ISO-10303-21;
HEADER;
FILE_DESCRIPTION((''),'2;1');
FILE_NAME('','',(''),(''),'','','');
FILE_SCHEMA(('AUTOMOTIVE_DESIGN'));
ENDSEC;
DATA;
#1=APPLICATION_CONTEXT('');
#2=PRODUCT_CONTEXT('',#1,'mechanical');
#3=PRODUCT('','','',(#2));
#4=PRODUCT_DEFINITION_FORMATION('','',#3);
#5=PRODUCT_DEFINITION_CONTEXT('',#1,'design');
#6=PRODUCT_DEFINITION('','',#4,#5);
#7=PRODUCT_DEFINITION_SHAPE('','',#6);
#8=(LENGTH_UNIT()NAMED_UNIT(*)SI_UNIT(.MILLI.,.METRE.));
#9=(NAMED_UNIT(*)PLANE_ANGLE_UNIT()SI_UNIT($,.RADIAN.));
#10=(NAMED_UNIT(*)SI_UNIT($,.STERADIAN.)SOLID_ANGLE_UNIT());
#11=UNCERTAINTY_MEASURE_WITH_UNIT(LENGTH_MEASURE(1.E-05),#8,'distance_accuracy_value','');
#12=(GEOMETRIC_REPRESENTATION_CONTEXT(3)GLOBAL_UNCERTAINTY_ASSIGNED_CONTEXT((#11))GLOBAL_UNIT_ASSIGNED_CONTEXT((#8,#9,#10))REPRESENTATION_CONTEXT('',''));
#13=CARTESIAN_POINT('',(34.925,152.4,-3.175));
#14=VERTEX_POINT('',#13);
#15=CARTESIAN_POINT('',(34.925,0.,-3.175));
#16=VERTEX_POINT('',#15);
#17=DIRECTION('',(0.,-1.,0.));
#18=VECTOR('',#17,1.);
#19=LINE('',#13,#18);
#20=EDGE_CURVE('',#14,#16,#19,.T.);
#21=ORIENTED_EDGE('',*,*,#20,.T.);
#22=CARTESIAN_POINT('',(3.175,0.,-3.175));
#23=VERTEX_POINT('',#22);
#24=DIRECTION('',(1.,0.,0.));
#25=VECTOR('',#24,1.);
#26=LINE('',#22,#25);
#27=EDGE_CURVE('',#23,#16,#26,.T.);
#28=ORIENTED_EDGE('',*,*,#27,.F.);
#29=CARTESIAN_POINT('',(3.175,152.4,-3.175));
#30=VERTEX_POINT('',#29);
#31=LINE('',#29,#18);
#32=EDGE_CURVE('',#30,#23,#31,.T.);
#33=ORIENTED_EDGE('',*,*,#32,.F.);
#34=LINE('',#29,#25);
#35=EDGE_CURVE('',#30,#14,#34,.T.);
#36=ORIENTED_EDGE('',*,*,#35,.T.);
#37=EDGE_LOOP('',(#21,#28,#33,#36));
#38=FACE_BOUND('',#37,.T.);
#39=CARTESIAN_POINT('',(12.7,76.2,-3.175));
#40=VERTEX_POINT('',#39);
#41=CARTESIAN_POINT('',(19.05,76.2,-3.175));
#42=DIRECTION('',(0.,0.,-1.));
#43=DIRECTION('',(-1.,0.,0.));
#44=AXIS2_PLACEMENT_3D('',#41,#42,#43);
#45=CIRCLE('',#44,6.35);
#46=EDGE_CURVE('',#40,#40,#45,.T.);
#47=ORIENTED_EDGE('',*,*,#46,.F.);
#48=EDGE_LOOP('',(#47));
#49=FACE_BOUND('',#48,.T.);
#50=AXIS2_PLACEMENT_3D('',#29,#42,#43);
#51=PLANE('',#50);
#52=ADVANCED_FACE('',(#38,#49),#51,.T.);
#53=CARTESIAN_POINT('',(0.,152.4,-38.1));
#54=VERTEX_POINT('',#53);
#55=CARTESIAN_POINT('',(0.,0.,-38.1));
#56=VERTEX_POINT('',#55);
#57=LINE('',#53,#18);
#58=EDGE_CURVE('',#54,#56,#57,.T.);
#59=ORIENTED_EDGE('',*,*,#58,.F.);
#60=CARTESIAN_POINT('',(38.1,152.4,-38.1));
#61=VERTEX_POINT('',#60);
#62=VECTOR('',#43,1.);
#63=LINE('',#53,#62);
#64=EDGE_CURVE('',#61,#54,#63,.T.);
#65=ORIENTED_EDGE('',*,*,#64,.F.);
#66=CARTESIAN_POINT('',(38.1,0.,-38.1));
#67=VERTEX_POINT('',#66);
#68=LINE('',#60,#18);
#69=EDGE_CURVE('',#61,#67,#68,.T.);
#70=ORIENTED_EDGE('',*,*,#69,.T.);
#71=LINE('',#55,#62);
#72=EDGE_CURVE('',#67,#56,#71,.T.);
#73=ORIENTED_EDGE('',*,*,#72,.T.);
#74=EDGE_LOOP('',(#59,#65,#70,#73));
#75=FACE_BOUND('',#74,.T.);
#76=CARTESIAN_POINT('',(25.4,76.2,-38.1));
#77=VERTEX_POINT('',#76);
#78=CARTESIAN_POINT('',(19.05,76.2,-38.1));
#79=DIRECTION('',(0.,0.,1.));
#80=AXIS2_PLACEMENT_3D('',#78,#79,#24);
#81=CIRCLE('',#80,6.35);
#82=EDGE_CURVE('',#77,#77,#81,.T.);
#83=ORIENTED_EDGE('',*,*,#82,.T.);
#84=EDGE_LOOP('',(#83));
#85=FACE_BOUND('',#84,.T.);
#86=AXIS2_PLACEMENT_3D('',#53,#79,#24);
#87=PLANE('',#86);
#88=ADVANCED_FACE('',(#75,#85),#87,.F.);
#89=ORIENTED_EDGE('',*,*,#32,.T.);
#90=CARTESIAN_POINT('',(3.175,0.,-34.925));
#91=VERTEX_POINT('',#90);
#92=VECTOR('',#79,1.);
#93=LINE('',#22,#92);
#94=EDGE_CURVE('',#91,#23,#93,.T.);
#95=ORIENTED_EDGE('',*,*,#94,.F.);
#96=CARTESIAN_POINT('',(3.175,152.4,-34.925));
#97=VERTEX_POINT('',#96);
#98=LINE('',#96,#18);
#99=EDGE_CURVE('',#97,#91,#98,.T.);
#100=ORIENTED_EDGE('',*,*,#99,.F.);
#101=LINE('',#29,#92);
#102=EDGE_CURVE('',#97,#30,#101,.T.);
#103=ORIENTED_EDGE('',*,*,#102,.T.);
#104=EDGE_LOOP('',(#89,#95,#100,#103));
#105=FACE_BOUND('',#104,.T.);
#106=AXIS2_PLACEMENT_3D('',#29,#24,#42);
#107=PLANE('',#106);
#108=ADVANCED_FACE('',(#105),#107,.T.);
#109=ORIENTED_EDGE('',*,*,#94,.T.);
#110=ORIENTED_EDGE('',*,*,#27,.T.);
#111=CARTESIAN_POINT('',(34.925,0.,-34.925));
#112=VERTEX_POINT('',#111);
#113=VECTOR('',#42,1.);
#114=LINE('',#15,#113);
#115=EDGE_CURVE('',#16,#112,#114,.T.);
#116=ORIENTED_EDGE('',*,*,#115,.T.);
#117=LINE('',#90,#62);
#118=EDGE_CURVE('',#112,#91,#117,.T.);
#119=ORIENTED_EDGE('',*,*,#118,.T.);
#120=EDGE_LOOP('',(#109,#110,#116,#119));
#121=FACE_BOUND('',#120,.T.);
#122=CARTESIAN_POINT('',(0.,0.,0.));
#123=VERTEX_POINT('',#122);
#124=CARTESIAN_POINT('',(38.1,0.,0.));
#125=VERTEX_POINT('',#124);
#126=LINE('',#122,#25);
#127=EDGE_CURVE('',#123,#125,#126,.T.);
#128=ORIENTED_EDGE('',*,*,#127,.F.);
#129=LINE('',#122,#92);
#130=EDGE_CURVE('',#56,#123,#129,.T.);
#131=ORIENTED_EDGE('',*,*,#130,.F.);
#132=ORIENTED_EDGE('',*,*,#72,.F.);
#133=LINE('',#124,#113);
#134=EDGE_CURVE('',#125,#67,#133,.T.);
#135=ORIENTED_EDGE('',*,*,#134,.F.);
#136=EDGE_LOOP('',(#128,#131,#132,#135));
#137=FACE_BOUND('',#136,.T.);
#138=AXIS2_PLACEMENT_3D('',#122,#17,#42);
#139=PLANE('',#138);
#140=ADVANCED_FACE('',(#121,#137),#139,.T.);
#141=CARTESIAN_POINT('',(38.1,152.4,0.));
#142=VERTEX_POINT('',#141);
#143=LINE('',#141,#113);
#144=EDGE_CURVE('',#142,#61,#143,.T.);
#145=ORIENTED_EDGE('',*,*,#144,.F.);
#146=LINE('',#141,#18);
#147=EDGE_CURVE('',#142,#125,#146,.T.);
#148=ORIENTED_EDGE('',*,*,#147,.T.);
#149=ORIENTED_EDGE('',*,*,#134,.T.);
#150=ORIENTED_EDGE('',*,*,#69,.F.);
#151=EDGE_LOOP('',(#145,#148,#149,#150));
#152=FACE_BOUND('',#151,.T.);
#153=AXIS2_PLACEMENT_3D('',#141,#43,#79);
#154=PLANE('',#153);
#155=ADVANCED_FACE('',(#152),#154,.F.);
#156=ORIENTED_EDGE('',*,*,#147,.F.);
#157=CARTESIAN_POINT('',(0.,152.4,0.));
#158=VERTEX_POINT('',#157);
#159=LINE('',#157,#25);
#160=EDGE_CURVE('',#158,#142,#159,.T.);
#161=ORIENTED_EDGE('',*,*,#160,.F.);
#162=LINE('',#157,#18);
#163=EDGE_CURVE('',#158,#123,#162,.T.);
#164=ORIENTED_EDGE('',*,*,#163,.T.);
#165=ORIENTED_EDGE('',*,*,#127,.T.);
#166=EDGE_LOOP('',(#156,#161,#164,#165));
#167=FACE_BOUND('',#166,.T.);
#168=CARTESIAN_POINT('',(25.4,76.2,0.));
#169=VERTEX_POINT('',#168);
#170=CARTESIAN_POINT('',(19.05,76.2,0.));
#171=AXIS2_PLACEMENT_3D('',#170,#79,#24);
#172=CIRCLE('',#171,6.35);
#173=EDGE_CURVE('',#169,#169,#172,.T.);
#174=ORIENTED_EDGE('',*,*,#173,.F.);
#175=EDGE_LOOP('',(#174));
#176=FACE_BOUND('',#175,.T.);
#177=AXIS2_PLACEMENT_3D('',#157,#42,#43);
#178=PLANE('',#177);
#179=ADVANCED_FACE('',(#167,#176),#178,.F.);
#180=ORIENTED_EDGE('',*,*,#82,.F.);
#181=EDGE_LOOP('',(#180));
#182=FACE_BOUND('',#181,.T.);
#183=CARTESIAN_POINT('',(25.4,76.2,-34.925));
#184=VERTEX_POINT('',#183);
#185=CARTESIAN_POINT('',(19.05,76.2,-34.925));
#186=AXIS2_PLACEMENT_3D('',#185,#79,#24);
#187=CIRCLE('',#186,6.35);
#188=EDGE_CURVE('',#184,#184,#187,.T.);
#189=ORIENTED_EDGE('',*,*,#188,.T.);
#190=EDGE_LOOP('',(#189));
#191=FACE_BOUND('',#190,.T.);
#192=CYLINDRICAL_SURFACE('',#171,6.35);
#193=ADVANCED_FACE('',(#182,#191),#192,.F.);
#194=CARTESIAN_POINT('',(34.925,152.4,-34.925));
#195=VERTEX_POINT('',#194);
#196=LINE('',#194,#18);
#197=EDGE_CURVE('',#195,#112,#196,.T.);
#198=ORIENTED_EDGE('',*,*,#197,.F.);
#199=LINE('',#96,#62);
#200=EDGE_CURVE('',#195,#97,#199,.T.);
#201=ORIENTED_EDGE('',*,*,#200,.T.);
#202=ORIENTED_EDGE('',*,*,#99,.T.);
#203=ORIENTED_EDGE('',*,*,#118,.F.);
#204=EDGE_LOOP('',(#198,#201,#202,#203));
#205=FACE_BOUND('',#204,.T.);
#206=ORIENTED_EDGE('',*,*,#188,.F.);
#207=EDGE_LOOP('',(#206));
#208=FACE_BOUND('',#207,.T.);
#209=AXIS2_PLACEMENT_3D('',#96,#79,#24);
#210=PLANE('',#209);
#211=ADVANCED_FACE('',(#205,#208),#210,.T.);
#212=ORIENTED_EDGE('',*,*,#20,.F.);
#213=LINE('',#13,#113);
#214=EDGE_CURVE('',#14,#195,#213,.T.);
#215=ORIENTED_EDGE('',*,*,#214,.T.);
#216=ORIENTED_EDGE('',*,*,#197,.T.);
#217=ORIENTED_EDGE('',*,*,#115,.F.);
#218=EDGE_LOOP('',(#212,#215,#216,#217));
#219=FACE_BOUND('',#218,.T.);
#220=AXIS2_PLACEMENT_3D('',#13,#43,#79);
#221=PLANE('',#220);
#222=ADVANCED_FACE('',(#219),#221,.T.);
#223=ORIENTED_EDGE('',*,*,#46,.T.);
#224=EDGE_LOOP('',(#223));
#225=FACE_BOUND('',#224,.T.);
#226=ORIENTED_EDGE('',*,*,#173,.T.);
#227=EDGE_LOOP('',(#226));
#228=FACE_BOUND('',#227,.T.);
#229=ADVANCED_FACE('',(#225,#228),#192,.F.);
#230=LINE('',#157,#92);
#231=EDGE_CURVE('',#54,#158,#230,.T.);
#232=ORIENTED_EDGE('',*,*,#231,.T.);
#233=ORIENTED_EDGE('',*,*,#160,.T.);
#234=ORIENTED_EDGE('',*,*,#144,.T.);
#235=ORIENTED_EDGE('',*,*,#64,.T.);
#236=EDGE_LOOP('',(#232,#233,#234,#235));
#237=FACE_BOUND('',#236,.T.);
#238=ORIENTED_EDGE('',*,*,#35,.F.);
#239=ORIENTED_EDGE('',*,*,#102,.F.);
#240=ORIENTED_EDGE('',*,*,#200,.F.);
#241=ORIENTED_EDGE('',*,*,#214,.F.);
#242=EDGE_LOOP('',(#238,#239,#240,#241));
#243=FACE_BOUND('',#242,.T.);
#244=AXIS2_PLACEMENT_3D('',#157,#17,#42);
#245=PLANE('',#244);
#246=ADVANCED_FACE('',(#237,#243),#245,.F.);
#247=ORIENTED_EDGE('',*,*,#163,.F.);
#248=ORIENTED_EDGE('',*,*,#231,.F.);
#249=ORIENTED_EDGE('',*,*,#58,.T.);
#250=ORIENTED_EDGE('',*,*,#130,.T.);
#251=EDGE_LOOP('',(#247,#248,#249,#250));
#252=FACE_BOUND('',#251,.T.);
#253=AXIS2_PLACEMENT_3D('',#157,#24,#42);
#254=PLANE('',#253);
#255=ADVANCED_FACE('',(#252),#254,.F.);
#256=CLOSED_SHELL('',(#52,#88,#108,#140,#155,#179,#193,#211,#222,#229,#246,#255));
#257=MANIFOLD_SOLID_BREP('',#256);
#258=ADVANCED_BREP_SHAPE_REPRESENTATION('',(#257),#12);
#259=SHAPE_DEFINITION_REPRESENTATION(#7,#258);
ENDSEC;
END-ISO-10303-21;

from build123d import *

# Parameters (mm, degrees)
SKETCH1_W                  = 38.1
SKETCH1_H                  = 38.1
SKETCH1_W_2                = 31.75
SKETCH1_H_2                = 31.75
BOSS_EXTRUDE1_DEPTH        = 152.4
F_1_2_0_5_DIAMETER_HOLE1_D = 12.7


with BuildPart() as part:
    # Sketch1 → Boss-Extrude1 (new body)
    with BuildSketch(Plane(origin=(0, 0, 0), x_dir=(1, 0, 0), z_dir=(0, 1, 0))):
        with Locations((19.05, 19.05)):
            Rectangle(SKETCH1_W, SKETCH1_H)
        with Locations((19.05, 19.05)):
            Rectangle(SKETCH1_W_2, SKETCH1_H_2, mode=Mode.SUBTRACT)
    extrude(amount=BOSS_EXTRUDE1_DEPTH)

    # 1/2 (0.5) Diameter Hole1 (through all)
    with Locations(Plane.XY):
        with Locations((19.05, 76.2)):
            Hole(F_1_2_0_5_DIAMETER_HOLE1_D / 2)


solid = part.part
